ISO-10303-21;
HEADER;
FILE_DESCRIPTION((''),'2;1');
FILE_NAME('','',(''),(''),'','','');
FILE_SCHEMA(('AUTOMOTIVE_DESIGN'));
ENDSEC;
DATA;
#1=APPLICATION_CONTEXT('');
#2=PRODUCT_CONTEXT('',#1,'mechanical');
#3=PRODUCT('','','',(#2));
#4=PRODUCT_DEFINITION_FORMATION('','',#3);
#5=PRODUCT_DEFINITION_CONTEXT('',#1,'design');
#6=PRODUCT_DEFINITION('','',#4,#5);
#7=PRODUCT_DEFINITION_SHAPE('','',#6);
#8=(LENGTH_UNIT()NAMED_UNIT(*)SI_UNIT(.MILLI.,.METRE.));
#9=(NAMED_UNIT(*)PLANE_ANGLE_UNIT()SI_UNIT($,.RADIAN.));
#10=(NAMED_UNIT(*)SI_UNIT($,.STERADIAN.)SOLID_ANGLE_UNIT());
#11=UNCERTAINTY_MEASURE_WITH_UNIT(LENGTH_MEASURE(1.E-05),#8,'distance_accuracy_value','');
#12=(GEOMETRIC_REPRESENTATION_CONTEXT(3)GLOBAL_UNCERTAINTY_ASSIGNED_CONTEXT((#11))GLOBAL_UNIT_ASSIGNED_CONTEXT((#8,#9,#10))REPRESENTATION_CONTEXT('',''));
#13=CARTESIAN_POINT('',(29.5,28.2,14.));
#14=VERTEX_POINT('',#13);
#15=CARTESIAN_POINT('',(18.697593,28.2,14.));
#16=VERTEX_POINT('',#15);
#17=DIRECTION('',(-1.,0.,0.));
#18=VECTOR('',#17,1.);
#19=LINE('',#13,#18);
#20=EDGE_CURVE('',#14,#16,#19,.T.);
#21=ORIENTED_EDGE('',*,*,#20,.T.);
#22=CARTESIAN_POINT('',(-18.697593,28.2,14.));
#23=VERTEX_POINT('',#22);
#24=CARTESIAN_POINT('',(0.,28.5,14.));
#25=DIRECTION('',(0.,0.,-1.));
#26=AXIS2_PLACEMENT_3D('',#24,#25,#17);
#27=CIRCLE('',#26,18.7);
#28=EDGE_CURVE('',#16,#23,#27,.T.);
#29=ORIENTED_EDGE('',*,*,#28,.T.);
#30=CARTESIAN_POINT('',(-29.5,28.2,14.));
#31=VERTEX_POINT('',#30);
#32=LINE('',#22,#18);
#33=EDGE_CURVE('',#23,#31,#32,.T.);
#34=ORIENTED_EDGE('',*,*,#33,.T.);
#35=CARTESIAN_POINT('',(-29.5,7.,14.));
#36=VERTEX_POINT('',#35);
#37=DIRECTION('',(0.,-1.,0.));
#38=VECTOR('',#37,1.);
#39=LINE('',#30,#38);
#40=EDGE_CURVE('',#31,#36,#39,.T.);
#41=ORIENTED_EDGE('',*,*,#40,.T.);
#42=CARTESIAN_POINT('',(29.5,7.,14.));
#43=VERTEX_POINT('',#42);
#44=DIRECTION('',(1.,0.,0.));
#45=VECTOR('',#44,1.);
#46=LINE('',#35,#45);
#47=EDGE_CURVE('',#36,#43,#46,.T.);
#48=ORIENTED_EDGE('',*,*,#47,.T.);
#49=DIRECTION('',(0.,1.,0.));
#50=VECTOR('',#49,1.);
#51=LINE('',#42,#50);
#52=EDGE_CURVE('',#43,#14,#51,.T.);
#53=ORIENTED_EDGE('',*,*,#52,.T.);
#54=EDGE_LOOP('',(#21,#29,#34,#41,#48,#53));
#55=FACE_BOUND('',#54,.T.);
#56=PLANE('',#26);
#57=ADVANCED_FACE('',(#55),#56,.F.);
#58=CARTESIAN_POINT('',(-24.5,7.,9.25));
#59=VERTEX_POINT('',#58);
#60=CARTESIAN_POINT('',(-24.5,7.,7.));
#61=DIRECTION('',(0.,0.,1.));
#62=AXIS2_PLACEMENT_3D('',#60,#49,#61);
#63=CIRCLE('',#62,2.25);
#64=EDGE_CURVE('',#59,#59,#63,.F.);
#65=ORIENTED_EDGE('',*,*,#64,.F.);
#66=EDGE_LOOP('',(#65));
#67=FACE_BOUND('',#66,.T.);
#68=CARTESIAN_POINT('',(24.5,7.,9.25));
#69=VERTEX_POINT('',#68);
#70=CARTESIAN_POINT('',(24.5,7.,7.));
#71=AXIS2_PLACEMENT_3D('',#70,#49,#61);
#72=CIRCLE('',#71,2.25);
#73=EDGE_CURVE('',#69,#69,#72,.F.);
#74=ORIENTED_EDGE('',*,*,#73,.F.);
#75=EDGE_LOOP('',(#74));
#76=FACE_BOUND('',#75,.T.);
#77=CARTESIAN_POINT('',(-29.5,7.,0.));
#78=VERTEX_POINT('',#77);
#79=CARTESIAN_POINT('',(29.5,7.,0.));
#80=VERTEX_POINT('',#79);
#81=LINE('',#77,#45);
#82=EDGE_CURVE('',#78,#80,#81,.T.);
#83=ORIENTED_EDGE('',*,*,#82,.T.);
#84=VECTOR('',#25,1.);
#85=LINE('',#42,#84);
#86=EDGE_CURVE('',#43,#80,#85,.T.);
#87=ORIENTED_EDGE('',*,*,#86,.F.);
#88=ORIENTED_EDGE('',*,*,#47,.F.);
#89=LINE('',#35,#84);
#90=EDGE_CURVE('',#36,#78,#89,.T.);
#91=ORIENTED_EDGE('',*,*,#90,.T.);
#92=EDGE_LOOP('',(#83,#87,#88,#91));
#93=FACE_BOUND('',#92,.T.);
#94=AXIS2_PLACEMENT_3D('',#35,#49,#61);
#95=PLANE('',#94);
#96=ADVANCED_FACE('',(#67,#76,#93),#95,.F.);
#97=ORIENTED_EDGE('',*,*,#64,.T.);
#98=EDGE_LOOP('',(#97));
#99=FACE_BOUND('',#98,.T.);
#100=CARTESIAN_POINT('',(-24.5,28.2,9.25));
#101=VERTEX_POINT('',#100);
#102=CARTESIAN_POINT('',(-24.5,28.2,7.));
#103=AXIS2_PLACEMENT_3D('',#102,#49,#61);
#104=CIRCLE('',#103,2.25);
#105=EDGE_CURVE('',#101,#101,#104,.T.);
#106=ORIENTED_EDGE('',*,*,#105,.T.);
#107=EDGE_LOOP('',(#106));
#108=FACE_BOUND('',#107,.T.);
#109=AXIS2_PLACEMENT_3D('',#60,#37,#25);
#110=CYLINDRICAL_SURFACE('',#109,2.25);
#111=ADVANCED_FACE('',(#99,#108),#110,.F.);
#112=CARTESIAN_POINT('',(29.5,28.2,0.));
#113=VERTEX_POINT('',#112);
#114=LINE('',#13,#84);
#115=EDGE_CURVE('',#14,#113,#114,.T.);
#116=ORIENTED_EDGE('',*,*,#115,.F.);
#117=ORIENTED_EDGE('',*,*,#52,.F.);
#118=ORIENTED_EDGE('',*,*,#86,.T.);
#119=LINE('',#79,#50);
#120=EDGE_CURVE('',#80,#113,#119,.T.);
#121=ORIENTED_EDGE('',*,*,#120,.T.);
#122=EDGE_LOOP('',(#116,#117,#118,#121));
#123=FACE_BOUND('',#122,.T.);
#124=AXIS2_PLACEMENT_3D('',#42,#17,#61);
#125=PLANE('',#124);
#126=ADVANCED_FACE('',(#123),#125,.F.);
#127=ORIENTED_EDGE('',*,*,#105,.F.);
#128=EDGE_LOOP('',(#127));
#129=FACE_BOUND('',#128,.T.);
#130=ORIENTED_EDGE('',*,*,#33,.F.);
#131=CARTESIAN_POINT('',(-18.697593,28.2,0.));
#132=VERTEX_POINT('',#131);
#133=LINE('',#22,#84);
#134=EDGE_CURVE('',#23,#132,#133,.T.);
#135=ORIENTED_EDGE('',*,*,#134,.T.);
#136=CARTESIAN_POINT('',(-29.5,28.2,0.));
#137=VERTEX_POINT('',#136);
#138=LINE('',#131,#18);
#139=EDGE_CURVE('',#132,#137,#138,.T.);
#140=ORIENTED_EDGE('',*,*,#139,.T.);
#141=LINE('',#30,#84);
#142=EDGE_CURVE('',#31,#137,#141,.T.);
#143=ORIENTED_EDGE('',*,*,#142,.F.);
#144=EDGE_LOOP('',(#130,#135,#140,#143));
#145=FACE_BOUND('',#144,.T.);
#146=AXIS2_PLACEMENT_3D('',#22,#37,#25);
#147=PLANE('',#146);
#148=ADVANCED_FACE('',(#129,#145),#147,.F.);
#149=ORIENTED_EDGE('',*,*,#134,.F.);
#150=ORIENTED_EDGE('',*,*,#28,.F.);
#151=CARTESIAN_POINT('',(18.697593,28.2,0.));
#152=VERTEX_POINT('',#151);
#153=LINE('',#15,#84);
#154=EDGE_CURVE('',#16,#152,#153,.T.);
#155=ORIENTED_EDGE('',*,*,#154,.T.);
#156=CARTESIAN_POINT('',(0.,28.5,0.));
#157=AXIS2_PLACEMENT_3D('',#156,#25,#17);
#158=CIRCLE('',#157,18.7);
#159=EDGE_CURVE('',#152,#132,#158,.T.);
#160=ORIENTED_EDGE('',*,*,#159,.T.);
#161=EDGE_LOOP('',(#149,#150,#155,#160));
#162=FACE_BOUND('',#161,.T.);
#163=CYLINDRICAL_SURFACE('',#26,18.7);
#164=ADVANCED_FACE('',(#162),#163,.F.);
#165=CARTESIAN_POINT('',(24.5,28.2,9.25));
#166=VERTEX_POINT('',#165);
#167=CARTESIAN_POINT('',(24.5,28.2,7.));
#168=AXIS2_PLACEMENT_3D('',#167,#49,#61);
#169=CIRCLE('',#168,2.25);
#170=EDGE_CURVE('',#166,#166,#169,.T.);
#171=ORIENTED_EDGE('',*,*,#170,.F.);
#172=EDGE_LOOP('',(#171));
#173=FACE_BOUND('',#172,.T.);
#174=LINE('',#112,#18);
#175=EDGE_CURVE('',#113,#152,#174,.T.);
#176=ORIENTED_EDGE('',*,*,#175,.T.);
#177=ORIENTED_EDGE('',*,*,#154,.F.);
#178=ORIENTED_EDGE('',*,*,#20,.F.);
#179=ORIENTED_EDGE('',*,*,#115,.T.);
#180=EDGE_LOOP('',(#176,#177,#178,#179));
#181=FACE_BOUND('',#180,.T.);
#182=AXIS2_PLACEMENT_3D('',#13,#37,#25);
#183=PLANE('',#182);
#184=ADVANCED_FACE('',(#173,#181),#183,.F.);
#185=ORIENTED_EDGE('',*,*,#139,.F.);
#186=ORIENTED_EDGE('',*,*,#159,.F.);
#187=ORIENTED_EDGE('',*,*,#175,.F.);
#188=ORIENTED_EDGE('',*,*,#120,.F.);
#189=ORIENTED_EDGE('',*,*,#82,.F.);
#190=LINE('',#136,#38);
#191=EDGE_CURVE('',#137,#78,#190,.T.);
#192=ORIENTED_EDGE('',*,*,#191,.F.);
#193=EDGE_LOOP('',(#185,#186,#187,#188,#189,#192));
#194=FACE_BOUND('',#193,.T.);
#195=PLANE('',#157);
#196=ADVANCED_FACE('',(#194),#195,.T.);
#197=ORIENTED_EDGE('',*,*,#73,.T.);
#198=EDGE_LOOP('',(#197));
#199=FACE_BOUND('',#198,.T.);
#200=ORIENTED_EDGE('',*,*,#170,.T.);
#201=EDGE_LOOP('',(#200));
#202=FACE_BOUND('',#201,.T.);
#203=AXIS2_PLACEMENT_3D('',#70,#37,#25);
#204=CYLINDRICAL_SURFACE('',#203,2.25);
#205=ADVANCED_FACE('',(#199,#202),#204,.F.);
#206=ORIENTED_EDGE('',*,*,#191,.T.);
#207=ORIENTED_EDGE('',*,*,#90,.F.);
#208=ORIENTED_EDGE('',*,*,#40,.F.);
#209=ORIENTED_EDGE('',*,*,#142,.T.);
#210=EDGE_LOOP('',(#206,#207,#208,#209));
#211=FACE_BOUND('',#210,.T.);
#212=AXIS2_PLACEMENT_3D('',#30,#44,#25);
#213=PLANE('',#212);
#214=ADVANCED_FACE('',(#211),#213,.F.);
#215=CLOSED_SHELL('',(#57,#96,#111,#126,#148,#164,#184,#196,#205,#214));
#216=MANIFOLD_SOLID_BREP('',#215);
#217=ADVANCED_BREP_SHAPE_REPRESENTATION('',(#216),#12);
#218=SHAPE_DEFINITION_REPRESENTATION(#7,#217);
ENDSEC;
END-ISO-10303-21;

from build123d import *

# Parameters (mm, degrees)
SPLIT_SADDLE_WITH_37_4_MM_BORE_DEPTH = 14
M4_THROUGH_HOLES_DEPTH               = 44.144988121
M4_THROUGH_HOLES_DEPTH_BACK          = 44.144988121
SKETCH2_R                            = 2.25


with BuildPart() as part:
    # Split saddle with 37.4 mm bore profile → Split saddle with 37.4 mm bore (new body)
    with BuildSketch(Plane.XY):
        with BuildLine():
            Line((-29.5, 7), (29.5, 7))
            Line((29.5, 7), (29.5, 28.2))
            Line((29.5, 28.2), (18.697593428, 28.2))
            ThreePointArc((18.697593428, 28.2), (0, 9.8), (-18.697593428, 28.2))
            Line((-18.697593428, 28.2), (-29.5, 28.2))
            Line((-29.5, 28.2), (-29.5, 7))
        make_face()
    extrude(amount=SPLIT_SADDLE_WITH_37_4_MM_BORE_DEPTH)

    # Sketch2 → M4 through holes (cut, two sides: drawn at the far end of the back side and taken through both)
    with BuildSketch(Plane(origin=(0, 0, 0), x_dir=(1, 0, 0), z_dir=(0, 1, 0)).offset(-M4_THROUGH_HOLES_DEPTH_BACK)):
        with Locations(Location((-24.5, -7, 0), (0, 0, 270))):
            Circle(SKETCH2_R)
        with Locations(Location((24.5, -7, 0), (0, 0, 270))):
            Circle(SKETCH2_R)
    extrude(amount=M4_THROUGH_HOLES_DEPTH + M4_THROUGH_HOLES_DEPTH_BACK, mode=Mode.SUBTRACT)


solid = part.part
